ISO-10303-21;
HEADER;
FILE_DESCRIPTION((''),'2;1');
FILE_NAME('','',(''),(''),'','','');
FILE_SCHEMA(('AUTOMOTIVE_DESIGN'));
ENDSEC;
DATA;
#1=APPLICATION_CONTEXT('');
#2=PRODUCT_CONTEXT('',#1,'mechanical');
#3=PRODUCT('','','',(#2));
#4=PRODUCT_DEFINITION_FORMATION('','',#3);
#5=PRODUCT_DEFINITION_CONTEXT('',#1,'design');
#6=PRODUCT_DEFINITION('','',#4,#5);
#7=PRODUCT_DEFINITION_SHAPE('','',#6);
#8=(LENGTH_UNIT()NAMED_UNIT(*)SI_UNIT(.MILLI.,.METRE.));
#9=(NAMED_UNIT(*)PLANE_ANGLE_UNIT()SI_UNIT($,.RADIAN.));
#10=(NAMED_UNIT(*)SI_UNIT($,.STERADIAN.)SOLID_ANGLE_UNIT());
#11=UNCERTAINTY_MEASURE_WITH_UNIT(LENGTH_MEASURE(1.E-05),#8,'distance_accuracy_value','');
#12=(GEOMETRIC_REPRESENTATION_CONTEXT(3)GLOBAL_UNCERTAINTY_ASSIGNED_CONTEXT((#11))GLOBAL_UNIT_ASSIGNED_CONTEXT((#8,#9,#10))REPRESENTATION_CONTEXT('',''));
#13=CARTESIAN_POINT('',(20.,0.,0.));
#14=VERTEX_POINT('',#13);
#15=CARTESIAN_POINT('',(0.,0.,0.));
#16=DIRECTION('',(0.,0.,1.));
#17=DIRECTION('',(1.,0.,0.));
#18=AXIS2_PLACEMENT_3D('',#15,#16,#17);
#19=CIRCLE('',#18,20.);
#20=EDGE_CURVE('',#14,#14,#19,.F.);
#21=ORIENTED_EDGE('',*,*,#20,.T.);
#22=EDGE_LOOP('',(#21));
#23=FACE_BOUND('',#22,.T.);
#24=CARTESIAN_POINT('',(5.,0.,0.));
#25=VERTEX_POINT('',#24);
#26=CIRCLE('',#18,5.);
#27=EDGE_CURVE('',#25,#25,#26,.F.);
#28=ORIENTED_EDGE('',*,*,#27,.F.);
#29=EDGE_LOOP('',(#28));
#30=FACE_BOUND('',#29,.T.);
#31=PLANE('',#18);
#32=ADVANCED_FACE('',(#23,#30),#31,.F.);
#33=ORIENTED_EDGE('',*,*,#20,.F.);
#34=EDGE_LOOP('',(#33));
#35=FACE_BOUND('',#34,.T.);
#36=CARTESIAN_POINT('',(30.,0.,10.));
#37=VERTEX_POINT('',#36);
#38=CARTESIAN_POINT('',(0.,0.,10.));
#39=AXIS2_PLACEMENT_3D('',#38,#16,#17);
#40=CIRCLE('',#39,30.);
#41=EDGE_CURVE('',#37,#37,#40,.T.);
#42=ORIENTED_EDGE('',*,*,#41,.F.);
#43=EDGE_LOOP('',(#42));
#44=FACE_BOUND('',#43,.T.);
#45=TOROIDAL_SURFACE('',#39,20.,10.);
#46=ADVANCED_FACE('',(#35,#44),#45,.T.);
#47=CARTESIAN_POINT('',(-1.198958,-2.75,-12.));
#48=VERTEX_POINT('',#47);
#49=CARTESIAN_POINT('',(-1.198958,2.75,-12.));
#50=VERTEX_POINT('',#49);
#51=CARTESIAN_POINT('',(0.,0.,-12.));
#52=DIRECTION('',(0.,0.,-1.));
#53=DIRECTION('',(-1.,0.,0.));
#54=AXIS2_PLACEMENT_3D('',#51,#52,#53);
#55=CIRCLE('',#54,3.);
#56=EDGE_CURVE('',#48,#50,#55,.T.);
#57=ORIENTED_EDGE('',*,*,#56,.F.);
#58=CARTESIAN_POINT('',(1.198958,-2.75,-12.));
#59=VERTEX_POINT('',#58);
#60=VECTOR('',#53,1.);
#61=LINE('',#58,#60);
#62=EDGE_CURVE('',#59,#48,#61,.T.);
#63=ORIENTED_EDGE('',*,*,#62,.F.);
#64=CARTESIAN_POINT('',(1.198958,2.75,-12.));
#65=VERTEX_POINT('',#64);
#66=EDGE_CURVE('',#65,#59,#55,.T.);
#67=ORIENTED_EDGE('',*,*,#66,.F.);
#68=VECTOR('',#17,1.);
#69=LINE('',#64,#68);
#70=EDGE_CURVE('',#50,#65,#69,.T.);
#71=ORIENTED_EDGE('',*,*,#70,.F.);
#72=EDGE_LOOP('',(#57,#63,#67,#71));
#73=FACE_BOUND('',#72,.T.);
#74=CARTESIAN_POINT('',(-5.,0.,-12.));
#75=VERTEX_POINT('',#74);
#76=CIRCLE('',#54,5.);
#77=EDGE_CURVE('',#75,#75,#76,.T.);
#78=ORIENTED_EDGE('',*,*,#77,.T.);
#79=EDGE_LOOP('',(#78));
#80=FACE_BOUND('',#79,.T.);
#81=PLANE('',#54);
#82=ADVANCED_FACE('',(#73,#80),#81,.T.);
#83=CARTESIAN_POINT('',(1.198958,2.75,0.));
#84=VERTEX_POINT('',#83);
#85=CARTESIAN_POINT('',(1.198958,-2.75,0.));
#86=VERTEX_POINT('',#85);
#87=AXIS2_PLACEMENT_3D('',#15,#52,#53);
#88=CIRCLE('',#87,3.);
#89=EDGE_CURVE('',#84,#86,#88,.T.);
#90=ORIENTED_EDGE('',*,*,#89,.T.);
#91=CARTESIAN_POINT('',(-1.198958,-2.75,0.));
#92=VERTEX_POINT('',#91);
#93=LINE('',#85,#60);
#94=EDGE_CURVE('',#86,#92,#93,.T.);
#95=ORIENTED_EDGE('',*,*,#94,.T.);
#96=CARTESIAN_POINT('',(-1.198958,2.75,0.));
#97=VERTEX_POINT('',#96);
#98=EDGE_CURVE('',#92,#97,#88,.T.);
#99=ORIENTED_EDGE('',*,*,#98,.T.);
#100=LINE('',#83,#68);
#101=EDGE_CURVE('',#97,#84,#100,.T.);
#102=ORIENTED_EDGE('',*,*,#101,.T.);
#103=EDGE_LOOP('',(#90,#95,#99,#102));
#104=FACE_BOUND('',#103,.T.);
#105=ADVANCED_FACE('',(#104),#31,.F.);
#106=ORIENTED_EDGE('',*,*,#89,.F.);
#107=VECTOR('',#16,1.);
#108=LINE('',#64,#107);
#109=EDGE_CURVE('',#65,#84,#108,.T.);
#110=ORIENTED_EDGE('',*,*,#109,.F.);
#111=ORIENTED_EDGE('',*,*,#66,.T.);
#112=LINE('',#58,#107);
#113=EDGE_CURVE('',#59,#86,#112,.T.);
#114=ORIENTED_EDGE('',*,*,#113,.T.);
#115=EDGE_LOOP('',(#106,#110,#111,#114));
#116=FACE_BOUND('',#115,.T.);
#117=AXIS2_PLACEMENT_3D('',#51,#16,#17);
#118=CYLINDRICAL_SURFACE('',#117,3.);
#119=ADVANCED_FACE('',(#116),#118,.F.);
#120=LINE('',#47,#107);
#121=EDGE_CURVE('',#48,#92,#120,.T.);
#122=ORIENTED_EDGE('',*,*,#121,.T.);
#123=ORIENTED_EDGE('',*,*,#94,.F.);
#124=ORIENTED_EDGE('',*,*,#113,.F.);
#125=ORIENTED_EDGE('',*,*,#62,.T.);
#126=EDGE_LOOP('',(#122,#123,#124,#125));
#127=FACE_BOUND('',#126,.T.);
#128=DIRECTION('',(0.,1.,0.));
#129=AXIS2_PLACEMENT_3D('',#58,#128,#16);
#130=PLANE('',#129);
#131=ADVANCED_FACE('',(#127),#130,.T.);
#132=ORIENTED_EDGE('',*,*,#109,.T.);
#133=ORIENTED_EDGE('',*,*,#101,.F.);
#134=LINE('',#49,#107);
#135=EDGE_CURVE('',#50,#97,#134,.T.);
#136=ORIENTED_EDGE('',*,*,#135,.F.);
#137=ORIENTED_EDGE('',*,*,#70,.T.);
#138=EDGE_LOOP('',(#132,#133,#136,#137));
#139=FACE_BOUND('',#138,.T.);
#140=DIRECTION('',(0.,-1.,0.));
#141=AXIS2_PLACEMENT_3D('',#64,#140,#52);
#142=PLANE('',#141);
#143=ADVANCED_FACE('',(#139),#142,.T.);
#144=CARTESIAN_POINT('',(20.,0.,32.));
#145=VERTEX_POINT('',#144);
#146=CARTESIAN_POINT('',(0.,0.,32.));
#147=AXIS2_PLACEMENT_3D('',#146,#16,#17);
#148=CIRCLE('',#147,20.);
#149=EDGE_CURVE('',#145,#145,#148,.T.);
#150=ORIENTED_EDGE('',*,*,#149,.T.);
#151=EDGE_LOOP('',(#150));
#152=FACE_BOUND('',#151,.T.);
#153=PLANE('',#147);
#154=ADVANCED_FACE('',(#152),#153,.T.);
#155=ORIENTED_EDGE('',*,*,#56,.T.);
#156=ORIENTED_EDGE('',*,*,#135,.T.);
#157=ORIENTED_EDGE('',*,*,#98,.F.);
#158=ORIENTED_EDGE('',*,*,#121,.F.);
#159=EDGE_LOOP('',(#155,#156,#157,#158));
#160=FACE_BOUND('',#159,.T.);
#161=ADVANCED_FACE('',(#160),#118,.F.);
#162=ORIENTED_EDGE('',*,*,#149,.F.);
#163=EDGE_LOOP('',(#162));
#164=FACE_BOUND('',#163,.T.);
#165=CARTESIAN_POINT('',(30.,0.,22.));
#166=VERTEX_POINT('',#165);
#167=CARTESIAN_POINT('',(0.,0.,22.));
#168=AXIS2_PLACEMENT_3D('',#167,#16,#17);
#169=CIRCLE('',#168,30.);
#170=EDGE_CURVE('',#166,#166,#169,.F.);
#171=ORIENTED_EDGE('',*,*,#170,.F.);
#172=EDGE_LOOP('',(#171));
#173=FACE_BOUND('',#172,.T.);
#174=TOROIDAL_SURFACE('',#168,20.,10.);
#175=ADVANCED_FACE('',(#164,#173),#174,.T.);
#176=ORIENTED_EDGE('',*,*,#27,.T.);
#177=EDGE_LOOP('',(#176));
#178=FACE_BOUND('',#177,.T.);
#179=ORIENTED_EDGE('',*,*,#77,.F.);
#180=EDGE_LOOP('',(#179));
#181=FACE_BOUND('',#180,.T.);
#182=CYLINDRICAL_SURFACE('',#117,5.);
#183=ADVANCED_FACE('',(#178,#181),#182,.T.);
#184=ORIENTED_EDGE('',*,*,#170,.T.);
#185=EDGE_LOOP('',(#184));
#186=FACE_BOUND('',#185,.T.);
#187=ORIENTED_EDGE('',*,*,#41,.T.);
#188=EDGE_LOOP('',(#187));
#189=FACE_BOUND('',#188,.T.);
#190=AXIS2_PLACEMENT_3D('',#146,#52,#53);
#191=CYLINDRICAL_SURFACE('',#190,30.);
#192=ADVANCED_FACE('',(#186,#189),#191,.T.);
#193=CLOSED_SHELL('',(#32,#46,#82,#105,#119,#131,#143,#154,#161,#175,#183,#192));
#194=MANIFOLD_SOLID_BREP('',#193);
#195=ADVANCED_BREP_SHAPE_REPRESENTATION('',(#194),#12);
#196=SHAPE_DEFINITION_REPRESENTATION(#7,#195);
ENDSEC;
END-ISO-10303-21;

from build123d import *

# Parameters (mm, degrees)
SKETCH_1_R      = 30
EXTRUDE_1_DEPTH = 32
FILLET_1_R      = 10
SKETCH_2_R      = 5
EXTRUDE_2_DEPTH = 12


with BuildPart() as part:
    # Эскиз1 → Бобышка-Вытянуть1 (new body)
    with BuildSketch(Plane.XY):
        Circle(SKETCH_1_R)
    extrude(amount=EXTRUDE_1_DEPTH)

    # Скругление1
    fillet_1_edges = [part.edges().sort_by_distance(p)[0] for p in [
        (-30, 0, 0),
        (-30, 0, 32),
    ]]
    fillet(fillet_1_edges, radius=FILLET_1_R)

    # Эскиз2 → Бобышка-Вытянуть2 (add)
    with BuildSketch(Plane(origin=(0, 0, 0), x_dir=(-1, 0, 0), z_dir=(0, 0, -1))):
        with Locations(Location((0, 0, 0), (0, 0, 180))):
            Circle(SKETCH_2_R)
        with BuildLine():
            Line((-1.198957881, 2.75), (1.198957881, 2.75))
            ThreePointArc((1.198957881, 2.75), (3, 0), (1.198957881, -2.75))
            Line((1.198957881, -2.75), (-1.198957881, -2.75))
            ThreePointArc((-1.198957881, -2.75), (-3, 0), (-1.198957881, 2.75))
        make_face(mode=Mode.SUBTRACT)
    extrude(amount=EXTRUDE_2_DEPTH)


solid = part.part
